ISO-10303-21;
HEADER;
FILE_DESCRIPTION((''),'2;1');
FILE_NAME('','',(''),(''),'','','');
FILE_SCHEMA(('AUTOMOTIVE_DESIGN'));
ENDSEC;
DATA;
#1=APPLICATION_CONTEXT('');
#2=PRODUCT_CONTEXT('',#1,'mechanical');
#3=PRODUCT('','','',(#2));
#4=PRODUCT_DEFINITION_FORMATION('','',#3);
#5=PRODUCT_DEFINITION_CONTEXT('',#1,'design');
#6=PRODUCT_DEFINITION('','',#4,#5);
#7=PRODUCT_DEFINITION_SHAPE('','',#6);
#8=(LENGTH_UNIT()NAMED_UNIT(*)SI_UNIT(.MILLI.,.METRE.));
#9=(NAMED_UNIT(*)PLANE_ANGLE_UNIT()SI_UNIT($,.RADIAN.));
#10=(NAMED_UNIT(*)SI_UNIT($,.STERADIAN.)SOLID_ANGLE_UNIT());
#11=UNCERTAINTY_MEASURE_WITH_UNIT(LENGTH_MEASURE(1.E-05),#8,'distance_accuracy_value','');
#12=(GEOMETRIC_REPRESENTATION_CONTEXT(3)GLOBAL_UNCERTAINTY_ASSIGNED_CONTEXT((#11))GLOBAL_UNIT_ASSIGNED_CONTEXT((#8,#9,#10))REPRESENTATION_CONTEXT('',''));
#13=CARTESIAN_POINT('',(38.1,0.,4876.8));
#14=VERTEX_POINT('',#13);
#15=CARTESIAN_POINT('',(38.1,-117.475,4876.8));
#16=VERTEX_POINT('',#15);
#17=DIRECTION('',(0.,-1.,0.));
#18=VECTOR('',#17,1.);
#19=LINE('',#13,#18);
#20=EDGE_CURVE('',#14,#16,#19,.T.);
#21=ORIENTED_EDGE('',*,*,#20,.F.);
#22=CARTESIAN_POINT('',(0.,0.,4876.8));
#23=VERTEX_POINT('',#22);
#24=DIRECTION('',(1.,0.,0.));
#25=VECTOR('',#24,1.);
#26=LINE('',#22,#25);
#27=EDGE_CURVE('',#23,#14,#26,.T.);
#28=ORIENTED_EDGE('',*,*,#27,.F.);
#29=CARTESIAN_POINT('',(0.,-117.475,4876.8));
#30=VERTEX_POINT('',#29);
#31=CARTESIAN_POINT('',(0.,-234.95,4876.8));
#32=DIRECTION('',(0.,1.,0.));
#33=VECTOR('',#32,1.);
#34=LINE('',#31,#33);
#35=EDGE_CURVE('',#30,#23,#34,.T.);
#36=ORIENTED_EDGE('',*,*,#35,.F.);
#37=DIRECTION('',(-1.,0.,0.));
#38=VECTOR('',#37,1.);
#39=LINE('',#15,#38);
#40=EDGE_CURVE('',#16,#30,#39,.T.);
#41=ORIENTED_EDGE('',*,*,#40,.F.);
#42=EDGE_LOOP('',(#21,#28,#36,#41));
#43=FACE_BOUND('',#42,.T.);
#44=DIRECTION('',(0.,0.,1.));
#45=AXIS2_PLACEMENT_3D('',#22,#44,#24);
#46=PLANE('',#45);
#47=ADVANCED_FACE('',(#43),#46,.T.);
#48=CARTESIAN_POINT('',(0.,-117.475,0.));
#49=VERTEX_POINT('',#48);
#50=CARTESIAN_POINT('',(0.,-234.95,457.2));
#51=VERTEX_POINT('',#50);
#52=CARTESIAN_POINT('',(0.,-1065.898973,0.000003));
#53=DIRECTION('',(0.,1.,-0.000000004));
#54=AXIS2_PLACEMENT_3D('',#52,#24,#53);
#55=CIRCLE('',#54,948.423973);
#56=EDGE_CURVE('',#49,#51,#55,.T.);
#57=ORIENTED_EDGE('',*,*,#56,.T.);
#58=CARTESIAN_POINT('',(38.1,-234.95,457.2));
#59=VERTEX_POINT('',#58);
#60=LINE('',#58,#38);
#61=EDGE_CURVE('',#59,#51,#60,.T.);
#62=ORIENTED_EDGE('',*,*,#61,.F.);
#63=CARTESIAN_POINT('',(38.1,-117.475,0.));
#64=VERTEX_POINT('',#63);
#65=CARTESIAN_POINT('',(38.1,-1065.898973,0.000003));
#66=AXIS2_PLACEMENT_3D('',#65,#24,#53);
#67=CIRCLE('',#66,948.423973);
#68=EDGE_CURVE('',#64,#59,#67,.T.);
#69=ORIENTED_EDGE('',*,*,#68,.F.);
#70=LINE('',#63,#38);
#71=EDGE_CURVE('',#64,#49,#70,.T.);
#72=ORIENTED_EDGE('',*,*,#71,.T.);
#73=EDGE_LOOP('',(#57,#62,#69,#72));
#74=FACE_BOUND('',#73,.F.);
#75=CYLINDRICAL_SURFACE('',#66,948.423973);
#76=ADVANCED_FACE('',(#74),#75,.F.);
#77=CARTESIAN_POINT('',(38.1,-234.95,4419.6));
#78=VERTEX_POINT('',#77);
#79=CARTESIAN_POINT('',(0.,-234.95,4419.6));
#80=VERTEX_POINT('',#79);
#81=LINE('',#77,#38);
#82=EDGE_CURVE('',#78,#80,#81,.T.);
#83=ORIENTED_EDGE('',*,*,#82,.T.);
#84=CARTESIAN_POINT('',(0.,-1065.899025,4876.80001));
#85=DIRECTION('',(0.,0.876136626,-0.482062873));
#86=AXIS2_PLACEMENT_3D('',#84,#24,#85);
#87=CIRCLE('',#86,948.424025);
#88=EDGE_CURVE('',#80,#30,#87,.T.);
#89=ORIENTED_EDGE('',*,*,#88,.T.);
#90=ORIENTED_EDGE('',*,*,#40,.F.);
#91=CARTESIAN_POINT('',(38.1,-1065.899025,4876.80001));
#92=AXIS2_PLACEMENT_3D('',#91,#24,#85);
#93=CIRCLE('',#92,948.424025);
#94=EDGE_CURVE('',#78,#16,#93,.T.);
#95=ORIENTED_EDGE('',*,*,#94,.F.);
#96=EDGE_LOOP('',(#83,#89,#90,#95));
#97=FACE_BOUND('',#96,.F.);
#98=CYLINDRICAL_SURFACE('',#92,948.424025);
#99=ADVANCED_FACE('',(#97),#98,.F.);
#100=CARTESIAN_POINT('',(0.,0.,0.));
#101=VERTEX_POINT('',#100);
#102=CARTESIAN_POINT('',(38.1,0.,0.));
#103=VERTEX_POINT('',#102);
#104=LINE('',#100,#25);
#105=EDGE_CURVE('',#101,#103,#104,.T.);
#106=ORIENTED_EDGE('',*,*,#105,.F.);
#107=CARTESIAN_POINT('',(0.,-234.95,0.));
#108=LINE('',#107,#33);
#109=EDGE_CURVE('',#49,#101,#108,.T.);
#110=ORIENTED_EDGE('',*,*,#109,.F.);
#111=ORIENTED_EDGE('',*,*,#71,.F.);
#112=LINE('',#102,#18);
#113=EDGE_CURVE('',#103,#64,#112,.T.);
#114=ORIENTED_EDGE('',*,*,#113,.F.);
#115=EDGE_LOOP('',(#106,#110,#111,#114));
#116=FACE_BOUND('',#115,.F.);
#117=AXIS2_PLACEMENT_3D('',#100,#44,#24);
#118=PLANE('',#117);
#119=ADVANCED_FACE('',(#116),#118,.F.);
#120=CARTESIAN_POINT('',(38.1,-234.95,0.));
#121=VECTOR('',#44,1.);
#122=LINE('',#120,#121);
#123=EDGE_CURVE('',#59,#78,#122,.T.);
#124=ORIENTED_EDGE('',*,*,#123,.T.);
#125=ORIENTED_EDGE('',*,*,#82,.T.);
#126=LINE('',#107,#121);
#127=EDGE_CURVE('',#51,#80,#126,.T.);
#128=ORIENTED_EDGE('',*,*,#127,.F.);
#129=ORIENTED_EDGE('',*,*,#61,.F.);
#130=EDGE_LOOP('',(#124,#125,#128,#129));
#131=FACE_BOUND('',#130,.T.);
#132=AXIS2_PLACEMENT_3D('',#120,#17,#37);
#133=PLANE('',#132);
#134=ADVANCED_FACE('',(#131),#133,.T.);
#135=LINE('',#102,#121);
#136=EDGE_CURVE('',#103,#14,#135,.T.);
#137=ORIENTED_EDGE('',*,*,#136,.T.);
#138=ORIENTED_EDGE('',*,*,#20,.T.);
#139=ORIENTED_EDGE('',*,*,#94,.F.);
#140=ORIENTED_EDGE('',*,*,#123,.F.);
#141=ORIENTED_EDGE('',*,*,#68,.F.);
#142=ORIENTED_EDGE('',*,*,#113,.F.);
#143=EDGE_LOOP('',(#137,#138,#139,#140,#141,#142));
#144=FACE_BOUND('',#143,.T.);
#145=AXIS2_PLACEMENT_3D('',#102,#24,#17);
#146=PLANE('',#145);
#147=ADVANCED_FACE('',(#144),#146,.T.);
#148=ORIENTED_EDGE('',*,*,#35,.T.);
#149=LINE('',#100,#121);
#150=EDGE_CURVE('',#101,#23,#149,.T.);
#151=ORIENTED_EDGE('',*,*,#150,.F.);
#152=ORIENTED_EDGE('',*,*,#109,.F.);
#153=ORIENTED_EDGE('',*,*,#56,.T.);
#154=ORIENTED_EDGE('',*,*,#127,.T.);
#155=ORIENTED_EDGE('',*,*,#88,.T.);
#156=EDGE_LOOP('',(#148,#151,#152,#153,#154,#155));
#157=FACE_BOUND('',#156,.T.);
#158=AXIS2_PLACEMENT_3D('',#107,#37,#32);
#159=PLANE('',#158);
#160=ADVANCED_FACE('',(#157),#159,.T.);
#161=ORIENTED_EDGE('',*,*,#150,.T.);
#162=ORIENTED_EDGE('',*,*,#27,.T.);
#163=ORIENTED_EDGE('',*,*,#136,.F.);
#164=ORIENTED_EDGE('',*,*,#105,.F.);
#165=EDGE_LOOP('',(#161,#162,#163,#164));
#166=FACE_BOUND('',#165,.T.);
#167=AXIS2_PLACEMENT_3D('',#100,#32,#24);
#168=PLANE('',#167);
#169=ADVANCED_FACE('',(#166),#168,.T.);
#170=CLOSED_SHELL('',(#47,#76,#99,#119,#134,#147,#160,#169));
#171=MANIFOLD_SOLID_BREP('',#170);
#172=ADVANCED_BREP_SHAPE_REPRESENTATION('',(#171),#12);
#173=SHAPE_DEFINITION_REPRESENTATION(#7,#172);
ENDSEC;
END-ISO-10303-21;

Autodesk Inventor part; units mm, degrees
ref_plane "YZ Plane" through (0, 0, 0) normal (1, 0, 0) x (0, 1, 0)
ref_plane "XZ Plane" through (0, 0, 0) normal (0, 1, 0) x (-1, 0, 0)
ref_plane "XY Plane" through (0, 0, 0) normal (0, 0, 1) x (1, 0, 0)
sketch "Sketch1" plane through (0, 0, 0) normal (0, 0, 1) x (1, 0, 0)
  line L0 (0, 0) -> (38.1, 0)
  line L1 (38.1, 0) -> (38.1, -234.95)
  line L2 (38.1, -234.95) -> (0, -234.95)
  line L3 (0, -234.95) -> (0, 0)
  dimension "d0" = 38.1
  dimension "d1" = 234.95
extrude "Extrusion1" add sketch "Sketch1" along normal blind 4876.8
sketch "Sketch2" plane through (38.1, -234.95, 0) normal (1, 0, 0) x (0, 0, -1)
  line L0 (0, 234.95) -> (0, 0) projected
  line L1 (0, 234.95) -> (-4876.8, 234.95) projected
  line L2 (-4876.8, 0) -> (-4876.8, 234.95) projected
  line L3 (0, 0) -> (-4876.8, 0) projected
  line L4 (0, 0) -> (0, 234.95) projected
  arc A0 (0, 117.475) -> (-457.2, 0) centre (0, -830.949) ccw
  arc A1 (-4419.6, 0) -> (-4876.8, 117.475) centre (-4876.8, -830.949) ccw
  line L5 (-4876.8, 0) -> (-4876.8, 234.95) construction
  dimension "d7" = 457.2
  dimension "d8" = 457.2
extrude "Extrusion2" cut sketch "Sketch2" along normal through all both and the other way through all contours L0 L3 A0 | A1 L3 L2
properties part number "Support Beam"
